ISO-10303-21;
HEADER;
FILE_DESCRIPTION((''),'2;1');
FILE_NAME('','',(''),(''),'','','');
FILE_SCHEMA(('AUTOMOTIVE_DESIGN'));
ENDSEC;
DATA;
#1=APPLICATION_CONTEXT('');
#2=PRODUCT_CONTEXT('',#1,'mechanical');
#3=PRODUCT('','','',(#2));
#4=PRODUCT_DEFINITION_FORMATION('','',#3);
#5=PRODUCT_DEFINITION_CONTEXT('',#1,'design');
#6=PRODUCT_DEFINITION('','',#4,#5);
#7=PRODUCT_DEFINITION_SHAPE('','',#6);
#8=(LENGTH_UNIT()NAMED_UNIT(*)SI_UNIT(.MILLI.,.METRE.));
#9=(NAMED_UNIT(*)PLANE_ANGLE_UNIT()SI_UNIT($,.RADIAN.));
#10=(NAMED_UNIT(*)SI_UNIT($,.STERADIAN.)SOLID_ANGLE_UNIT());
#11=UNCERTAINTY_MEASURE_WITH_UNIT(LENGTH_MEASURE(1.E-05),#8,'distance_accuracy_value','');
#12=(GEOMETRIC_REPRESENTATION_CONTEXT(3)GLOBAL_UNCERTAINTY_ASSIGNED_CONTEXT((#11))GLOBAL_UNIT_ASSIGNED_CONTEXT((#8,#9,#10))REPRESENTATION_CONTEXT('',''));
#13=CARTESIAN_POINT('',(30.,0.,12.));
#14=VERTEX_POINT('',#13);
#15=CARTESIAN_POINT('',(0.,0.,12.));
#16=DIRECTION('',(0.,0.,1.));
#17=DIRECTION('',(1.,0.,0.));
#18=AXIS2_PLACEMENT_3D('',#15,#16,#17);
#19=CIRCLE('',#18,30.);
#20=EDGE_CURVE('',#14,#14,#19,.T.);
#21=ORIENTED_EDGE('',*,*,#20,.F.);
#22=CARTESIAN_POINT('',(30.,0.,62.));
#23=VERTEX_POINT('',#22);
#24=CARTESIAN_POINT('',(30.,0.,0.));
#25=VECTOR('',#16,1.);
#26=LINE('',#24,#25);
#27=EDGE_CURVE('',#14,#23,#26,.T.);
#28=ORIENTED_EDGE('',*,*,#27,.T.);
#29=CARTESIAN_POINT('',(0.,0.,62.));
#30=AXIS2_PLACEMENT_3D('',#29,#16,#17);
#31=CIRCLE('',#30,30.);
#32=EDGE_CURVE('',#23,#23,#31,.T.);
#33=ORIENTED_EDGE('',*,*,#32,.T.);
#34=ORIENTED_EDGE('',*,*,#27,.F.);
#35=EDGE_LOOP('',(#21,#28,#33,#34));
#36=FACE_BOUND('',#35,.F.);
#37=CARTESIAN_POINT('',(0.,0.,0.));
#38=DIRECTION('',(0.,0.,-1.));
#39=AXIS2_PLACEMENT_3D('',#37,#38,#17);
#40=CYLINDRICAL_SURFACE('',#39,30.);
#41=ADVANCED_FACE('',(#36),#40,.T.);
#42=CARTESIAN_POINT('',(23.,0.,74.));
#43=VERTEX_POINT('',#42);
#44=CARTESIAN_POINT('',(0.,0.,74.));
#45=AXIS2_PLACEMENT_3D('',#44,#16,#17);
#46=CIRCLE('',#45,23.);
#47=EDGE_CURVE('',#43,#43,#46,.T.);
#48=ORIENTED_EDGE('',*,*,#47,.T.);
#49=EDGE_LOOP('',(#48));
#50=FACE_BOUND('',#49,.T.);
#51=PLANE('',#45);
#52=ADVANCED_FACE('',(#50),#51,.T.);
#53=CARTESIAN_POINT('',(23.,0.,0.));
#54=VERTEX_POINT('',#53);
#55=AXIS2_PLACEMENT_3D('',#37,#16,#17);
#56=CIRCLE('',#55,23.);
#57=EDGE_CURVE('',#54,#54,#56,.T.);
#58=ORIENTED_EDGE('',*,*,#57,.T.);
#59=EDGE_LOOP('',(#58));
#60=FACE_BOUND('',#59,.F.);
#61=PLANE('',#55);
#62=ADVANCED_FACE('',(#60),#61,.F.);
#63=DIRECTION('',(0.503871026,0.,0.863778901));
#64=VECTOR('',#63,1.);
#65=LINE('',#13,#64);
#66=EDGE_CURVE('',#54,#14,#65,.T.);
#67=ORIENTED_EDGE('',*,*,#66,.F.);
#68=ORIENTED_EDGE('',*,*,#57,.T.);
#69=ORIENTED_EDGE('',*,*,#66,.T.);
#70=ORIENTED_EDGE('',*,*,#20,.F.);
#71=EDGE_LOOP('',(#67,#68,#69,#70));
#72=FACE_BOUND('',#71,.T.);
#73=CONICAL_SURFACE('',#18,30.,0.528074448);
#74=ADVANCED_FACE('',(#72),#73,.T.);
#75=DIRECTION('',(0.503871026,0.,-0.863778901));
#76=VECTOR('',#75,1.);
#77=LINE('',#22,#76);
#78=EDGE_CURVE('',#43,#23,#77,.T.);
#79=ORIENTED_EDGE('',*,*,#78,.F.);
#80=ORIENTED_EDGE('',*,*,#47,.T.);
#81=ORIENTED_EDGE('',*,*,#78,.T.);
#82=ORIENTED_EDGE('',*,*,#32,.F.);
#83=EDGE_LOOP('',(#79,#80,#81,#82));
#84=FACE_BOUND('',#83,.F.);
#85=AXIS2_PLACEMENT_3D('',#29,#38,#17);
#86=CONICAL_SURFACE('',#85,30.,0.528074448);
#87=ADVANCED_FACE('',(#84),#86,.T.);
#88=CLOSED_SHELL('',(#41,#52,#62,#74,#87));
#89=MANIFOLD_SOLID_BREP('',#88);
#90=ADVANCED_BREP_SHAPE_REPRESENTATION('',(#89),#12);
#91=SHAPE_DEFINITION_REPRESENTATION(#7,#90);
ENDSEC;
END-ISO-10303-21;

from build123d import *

# Parameters (mm, degrees)
F0_R       = 30
F0_R_2     = 23
F1_DEPTH   = 74
F2_SIZE2   = 12
F2_SIZE    = 7
F2_2_SIZE2 = 12
F2_2_SIZE  = 7


with BuildPart() as f1:
    # F0 (on Top) → F1 (new body)
    with BuildSketch(Plane.XY):
        Circle(F0_R)
        Circle(F0_R_2, mode=Mode.SUBTRACT)
        Circle(F0_R_2)
    extrude(amount=F1_DEPTH)

    # F2
    f2_edges = [f1.edges().sort_by_distance(p)[0] for p in [
        (-30, 0, 74),
    ]]
    f2_side = f1.faces().sort_by_distance((0, 0, 74))[0]
    chamfer(f2_edges, length=F2_SIZE, length2=F2_SIZE2, reference=f2_side)

    # F2#2
    f2_2_edges = [f1.edges().sort_by_distance(p)[0] for p in [
        (-30, 0, 0),
    ]]
    f2_2_side = f1.faces().sort_by_distance((0, 0, 0))[0]
    chamfer(f2_2_edges, length=F2_2_SIZE, length2=F2_2_SIZE2, reference=f2_2_side)


solid = f1.part
